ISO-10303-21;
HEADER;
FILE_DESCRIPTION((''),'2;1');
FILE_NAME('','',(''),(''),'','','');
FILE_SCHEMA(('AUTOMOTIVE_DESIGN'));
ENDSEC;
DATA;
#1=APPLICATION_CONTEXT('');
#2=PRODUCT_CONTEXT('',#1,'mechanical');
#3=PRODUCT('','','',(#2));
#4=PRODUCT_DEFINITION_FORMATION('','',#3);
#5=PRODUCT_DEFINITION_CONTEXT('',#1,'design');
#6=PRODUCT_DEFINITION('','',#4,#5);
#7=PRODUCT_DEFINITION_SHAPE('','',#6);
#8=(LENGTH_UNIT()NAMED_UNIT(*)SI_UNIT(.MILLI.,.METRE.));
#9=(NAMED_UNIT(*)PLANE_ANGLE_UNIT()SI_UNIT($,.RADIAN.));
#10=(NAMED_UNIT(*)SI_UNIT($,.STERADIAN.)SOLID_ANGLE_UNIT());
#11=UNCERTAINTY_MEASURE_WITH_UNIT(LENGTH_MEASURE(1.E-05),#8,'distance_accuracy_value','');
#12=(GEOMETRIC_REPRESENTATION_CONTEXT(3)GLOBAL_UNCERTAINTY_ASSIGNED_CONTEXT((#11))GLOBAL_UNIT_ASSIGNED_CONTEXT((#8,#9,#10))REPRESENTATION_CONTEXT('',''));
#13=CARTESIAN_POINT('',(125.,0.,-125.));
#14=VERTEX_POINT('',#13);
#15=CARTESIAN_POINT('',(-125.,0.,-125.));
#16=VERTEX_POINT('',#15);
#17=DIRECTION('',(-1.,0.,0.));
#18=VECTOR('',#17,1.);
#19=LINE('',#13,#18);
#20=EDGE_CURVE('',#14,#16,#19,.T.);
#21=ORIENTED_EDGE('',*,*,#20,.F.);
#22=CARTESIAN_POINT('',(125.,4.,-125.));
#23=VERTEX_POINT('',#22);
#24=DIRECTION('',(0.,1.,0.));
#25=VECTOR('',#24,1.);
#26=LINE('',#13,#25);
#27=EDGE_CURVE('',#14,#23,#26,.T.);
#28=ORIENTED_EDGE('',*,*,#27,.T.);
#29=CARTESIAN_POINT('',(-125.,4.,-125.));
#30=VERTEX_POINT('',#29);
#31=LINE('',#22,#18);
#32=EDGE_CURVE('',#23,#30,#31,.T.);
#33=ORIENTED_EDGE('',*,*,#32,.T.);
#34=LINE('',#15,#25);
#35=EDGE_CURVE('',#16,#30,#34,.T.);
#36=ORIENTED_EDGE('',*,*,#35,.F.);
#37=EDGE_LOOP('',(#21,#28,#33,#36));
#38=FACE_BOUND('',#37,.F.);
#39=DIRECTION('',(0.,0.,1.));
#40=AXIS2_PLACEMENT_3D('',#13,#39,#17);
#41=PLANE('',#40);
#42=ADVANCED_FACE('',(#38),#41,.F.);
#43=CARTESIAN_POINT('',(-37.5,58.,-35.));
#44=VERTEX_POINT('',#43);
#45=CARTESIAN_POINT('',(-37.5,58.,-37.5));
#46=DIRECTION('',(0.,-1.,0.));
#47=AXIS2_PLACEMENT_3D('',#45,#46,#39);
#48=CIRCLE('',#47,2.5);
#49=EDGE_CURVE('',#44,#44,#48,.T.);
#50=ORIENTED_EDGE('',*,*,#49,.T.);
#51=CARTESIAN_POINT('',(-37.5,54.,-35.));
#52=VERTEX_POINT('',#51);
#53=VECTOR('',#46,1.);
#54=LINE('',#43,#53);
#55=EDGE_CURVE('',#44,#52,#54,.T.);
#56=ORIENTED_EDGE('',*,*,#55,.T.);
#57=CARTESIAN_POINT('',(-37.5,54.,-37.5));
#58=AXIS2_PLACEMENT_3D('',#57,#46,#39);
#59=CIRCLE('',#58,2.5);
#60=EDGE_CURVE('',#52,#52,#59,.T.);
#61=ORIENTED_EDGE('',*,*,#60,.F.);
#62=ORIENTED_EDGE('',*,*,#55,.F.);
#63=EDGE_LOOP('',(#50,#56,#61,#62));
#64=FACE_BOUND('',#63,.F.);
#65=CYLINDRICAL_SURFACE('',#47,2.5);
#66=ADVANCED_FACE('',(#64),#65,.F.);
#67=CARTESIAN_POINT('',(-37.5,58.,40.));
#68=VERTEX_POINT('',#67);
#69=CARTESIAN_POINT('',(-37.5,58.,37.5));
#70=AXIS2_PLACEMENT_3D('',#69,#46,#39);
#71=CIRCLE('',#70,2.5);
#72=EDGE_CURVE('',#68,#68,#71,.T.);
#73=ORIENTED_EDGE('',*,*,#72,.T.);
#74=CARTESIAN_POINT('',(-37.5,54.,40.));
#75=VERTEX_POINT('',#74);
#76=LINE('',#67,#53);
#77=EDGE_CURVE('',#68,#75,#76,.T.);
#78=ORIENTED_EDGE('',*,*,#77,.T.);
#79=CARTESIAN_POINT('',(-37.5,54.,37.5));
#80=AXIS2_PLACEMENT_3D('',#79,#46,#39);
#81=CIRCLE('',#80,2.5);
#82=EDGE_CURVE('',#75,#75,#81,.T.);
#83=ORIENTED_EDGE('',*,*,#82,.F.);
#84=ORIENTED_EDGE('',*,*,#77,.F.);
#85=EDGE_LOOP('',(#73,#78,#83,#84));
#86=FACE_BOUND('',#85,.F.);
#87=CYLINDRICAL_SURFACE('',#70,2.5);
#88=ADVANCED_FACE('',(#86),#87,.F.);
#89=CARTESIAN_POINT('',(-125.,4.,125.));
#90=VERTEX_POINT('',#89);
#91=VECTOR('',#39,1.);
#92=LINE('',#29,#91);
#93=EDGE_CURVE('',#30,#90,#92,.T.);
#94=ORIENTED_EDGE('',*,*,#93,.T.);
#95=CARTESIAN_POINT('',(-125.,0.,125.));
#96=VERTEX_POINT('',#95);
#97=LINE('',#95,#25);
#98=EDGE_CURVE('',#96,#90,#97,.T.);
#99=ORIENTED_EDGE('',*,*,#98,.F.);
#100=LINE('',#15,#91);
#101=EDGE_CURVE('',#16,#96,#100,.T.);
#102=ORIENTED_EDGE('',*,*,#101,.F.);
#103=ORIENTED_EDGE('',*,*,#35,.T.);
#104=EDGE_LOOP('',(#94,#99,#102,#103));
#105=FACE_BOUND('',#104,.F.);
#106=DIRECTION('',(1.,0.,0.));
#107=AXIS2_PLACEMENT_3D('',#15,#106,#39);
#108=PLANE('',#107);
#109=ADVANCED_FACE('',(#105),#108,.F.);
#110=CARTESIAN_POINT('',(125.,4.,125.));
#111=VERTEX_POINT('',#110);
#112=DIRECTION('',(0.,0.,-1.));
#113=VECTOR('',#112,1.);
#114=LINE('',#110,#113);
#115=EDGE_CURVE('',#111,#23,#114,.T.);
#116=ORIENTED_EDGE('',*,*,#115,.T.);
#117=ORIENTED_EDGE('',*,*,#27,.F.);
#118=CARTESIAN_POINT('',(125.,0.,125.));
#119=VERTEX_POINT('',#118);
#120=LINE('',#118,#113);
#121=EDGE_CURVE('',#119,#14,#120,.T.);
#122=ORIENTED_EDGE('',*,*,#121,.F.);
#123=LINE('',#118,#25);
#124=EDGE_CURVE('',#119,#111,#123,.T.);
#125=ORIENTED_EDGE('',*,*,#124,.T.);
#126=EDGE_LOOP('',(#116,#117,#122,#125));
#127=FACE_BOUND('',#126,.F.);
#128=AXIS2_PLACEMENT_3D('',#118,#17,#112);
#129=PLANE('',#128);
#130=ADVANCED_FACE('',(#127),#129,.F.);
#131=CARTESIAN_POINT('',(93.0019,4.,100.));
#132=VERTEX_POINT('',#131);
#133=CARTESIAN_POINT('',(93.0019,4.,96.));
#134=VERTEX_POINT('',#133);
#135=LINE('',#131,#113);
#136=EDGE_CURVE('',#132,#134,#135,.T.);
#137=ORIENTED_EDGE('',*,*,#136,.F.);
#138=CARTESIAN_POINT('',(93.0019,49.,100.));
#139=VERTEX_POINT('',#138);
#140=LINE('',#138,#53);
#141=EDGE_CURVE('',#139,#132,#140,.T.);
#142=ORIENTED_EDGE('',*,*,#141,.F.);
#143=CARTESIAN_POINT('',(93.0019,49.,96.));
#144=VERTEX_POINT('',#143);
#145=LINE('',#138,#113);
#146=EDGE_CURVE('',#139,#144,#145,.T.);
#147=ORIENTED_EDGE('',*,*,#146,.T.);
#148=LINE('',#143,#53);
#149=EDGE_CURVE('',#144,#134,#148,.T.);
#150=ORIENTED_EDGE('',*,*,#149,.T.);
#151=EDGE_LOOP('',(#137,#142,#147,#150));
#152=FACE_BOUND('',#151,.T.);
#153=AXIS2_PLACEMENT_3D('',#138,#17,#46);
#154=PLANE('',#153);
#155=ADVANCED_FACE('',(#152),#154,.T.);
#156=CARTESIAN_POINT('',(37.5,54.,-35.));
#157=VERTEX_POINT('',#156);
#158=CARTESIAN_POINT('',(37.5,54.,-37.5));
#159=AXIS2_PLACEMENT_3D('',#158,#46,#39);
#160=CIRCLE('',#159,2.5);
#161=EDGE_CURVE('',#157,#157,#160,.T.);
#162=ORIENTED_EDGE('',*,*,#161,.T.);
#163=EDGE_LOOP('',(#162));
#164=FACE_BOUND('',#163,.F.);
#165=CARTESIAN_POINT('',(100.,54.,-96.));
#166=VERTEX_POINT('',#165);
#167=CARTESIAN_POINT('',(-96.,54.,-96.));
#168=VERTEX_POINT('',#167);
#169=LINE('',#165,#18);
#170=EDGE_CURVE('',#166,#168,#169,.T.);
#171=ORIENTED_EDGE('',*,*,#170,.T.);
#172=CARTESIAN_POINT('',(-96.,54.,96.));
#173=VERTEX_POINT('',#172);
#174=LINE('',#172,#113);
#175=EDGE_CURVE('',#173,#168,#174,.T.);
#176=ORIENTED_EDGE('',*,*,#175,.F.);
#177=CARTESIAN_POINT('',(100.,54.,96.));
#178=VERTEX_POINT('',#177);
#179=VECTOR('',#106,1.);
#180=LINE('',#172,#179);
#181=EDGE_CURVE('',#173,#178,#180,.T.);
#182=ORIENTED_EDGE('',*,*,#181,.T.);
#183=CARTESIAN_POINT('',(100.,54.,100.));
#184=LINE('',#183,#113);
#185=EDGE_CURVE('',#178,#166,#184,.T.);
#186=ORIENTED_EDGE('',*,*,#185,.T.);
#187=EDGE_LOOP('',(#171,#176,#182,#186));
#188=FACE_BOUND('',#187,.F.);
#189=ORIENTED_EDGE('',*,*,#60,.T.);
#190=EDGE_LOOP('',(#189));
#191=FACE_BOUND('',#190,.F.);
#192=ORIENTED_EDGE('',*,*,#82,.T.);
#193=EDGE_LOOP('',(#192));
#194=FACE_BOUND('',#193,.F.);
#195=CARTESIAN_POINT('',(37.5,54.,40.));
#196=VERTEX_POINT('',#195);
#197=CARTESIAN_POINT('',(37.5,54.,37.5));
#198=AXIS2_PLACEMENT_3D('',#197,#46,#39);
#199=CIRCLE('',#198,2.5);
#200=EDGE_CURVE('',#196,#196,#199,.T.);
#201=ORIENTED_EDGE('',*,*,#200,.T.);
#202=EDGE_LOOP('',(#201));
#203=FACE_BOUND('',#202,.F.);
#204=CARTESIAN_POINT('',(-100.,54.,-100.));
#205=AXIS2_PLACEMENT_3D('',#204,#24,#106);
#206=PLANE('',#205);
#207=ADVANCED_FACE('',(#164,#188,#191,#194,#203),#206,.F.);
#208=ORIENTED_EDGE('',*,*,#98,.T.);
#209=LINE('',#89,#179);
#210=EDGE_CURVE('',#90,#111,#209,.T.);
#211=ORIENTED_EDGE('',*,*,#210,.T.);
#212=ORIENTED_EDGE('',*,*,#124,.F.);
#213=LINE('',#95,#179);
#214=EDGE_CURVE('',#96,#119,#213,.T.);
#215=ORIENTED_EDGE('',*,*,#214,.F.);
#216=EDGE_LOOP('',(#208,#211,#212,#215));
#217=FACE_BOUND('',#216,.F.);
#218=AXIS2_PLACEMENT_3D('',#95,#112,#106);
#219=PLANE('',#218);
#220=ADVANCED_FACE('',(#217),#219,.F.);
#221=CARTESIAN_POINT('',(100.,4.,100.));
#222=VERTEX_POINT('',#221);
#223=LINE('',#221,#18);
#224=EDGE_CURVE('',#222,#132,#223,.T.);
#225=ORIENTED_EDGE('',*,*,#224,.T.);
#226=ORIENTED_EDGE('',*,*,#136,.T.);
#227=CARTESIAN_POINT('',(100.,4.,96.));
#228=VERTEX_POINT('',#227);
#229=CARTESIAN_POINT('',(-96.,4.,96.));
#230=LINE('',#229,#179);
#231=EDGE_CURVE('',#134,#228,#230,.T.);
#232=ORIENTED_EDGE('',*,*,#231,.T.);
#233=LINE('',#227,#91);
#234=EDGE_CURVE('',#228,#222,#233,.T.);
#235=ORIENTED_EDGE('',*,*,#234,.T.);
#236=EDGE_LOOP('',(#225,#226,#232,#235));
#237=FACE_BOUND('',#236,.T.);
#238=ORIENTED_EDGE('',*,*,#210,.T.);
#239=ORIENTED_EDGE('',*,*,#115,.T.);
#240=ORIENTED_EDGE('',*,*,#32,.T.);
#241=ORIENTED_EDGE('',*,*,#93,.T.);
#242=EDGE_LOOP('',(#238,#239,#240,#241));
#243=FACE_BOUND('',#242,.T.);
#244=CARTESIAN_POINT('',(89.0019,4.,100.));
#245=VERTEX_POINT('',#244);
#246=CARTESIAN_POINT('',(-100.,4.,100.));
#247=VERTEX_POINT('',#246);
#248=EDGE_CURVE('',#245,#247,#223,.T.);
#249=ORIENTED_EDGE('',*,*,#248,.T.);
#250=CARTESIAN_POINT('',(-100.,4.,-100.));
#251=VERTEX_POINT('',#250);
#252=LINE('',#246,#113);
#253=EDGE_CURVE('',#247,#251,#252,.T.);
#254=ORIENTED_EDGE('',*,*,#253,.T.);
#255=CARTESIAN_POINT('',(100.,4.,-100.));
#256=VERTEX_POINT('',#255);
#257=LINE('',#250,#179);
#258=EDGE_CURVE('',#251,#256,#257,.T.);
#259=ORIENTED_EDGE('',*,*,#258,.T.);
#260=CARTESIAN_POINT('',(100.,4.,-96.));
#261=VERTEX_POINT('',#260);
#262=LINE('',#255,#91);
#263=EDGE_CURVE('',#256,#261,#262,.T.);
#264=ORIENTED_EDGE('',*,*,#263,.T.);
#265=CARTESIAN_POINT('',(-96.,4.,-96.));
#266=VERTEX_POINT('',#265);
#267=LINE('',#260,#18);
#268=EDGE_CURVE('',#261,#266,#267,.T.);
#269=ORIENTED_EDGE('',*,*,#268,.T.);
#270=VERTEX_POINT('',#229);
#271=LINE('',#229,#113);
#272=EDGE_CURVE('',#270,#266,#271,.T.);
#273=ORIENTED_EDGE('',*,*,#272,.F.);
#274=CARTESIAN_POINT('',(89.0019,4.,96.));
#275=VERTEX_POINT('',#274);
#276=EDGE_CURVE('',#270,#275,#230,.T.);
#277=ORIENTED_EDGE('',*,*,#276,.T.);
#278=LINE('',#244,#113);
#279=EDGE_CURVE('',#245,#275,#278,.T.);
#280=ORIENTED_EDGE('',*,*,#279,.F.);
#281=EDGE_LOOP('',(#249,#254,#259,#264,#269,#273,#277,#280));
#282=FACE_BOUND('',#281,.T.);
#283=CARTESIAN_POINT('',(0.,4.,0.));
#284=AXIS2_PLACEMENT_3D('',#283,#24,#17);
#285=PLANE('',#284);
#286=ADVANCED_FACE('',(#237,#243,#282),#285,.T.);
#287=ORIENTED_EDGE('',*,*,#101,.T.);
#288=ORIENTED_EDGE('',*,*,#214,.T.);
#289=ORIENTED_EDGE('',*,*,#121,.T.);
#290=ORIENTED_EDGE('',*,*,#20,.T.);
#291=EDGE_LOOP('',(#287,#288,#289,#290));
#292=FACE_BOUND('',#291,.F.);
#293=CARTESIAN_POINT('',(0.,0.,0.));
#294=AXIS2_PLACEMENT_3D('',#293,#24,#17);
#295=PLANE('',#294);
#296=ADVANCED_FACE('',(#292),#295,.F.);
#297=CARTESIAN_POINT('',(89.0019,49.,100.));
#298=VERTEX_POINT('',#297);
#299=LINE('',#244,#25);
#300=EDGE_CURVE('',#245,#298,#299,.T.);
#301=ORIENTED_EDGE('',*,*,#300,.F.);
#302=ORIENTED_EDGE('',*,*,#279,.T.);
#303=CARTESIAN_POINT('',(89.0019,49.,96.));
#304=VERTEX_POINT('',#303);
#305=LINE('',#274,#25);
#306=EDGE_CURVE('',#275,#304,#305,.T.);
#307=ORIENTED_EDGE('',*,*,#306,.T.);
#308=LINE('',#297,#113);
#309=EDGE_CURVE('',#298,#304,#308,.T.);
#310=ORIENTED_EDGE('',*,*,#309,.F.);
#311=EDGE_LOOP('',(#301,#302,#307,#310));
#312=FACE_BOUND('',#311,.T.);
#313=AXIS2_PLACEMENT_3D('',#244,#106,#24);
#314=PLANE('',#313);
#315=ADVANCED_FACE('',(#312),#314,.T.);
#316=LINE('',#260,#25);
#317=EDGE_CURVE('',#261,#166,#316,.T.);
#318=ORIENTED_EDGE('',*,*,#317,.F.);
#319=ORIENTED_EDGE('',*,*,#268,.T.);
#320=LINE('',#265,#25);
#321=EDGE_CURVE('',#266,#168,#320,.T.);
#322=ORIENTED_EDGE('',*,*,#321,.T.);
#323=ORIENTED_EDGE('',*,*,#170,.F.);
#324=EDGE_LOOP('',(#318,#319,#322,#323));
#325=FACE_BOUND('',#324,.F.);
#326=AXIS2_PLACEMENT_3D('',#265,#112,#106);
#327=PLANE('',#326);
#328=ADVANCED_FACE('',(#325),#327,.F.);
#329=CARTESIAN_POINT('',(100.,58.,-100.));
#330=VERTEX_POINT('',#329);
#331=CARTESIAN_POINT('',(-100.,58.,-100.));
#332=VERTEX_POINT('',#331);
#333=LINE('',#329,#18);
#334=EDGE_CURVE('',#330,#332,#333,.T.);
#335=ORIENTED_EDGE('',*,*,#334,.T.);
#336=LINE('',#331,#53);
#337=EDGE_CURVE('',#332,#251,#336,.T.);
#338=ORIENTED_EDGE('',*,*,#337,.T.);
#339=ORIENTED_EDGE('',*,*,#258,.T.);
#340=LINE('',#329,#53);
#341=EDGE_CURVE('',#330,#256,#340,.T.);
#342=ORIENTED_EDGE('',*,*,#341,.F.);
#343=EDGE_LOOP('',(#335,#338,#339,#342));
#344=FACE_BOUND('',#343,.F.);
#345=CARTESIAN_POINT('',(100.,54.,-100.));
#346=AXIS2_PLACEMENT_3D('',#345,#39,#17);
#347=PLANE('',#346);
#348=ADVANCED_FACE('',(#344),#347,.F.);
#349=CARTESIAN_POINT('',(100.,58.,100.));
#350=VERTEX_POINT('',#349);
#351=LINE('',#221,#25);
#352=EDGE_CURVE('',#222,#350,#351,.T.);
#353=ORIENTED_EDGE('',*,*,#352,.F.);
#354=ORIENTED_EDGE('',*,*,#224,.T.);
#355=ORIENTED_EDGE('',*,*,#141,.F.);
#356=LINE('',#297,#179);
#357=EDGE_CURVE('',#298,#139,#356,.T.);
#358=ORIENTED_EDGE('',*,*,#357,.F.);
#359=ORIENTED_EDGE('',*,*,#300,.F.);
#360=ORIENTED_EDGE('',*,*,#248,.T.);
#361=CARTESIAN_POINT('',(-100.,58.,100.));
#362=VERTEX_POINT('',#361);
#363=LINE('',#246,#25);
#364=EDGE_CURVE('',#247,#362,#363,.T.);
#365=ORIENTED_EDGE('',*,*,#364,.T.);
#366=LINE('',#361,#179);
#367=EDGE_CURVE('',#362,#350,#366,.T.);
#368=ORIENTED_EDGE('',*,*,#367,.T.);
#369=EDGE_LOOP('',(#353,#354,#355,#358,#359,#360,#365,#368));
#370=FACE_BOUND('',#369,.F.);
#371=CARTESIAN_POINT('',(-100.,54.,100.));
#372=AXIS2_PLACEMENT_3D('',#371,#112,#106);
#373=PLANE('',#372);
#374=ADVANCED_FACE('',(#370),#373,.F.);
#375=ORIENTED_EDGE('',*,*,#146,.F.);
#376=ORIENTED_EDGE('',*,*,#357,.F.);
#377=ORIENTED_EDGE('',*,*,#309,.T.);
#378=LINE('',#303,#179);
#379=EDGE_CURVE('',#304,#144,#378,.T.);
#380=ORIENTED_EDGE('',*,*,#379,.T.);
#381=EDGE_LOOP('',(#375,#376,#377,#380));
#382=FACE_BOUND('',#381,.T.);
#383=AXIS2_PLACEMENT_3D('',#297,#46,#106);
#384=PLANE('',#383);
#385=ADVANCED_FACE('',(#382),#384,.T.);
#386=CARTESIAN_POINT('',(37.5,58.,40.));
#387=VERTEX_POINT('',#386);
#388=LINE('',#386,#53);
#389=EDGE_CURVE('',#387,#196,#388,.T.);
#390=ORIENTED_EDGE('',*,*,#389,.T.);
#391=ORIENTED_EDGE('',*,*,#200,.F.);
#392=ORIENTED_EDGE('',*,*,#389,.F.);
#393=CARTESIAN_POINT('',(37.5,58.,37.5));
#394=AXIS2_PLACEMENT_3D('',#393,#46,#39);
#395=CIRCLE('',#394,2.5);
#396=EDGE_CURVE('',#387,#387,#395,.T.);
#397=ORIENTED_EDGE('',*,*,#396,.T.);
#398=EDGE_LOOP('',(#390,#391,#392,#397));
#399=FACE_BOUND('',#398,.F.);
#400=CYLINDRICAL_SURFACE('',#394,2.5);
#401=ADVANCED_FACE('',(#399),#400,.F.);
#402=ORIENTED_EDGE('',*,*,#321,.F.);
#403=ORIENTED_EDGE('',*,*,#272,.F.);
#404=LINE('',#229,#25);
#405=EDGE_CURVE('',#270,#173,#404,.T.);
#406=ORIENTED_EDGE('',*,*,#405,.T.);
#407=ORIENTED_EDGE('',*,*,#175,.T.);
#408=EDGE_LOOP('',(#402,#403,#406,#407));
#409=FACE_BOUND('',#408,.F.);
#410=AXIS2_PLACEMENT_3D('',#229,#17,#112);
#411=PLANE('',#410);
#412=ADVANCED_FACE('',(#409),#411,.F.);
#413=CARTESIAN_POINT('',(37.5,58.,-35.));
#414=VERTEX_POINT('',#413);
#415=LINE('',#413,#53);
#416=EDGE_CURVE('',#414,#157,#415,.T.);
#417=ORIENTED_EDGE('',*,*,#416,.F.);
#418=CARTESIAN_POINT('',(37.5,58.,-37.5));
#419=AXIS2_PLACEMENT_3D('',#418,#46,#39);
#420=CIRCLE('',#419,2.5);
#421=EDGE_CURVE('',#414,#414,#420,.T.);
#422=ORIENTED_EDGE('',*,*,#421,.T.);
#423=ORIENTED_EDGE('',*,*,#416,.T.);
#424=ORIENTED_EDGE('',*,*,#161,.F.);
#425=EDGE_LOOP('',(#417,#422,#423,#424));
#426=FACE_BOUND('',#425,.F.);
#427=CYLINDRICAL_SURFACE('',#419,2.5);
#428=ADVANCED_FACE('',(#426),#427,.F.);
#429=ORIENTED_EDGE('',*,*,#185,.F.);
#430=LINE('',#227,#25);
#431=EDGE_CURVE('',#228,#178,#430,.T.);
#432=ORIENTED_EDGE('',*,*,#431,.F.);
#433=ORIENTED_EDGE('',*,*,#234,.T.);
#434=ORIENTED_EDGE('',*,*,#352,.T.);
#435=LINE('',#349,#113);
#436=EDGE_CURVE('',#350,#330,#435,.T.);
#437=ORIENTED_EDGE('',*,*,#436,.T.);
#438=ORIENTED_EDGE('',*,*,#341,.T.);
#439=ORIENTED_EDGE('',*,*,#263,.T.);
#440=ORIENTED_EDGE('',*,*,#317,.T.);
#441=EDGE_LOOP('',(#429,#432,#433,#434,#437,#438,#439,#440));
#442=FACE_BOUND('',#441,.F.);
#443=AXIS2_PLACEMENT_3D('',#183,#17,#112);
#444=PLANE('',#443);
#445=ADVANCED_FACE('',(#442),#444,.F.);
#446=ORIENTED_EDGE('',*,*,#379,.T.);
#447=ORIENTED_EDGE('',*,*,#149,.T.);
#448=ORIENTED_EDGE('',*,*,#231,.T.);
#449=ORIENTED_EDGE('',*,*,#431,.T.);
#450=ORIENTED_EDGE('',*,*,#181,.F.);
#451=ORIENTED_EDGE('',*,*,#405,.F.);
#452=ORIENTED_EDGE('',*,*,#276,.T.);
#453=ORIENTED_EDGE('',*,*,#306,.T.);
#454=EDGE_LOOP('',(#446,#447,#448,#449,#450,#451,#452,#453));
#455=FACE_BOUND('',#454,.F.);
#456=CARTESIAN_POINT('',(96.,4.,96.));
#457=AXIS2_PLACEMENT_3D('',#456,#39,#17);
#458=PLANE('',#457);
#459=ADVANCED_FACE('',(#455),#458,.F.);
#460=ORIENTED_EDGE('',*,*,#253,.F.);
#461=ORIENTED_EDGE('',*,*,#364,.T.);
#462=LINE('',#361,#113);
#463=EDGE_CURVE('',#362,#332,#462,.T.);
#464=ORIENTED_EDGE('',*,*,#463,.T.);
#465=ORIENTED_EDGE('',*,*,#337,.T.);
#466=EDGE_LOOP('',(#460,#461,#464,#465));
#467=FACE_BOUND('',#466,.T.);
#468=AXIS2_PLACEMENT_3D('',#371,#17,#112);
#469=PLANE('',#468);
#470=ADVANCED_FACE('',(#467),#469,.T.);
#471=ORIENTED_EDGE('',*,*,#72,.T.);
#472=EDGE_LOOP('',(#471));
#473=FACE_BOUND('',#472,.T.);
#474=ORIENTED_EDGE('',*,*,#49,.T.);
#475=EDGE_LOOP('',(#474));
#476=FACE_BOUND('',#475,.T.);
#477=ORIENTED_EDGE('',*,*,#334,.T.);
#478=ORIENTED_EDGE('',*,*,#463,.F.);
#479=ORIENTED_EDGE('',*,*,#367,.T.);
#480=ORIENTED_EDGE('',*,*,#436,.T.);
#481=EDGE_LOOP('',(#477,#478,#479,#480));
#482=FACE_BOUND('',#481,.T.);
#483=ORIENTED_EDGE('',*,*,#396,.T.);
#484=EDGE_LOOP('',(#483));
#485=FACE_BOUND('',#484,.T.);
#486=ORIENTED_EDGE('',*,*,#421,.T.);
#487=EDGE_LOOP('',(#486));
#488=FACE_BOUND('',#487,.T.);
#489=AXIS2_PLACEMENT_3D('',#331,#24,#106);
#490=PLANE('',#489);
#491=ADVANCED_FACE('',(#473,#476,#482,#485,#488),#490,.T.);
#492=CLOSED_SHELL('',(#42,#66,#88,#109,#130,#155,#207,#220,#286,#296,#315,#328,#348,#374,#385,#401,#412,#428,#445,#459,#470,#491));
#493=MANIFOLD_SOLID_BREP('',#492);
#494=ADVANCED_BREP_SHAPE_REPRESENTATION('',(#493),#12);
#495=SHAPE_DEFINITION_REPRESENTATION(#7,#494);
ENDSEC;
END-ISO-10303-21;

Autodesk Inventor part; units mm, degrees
ref_plane "YZ Plane" through (0, 0, 0) normal (1, 0, 0) x (0, 1, 0)
ref_plane "XZ Plane" through (0, 0, 0) normal (0, 1, 0) x (-1, 0, 0)
ref_plane "XY Plane" through (0, 0, 0) normal (0, 0, 1) x (1, 0, 0)
sketch "Sketch1" plane through (0, 0, 0) normal (0, 1, 0) x (-1, 0, 0)
  line L0 (-125, -125) -> (125, -125)
  line L1 (125, -125) -> (125, 125)
  line L2 (125, 125) -> (-125, 125)
  line L3 (-125, 125) -> (-125, -125)
  line L4 (-125, -125) -> (125, 125) construction
  line L5 (125, -125) -> (-125, 125) construction
  point P0 (0, 0)
  dimension "Width" = 250
  dimension "Length" = 250
extrude "Main Body Extrusion" add sketch "Sketch1" along normal blind 4
sketch "Sketch3" plane through (0, 4, 0) normal (0, 1, 0) x (1, 0, 0)
  line L0 (96, -96) -> (-96, -96)
  line L1 (-96, -96) -> (-96, 96)
  line L2 (-96, 96) -> (96, 96)
  line L3 (96, -96) -> (-96, 96) construction
  line L4 (-96, -96) -> (96, 96) construction
  line L5 (-125, 125) -> (-125, -125) projected
  line L6 (125, -125) -> (125, 125) projected
  line L7 (-125, -125) -> (125, -125) projected
  line L8 (100, -100) -> (-100, -100)
  line L9 (-100, -100) -> (-100, 100)
  line L10 (-100, 100) -> (100, 100)
  line L11 (100, -100) -> (-100, 100) construction
  line L12 (-100, -100) -> (100, 100) construction
  line L13 (96, 96) -> (100, 96)
  line L14 (96, -96) -> (100, -96)
  line L15 (100, 100) -> (100, 96)
  line L16 (100, -96) -> (100, -100)
  point P0 (0, 0)
  dimension "d16" = 192
  dimension "d17" = 200
  dimension "d18" = 200
extrude "Extrusion3" add sketch "Sketch3" along normal blind 50 from surface at 0
sketch "Sketch8" plane through (0, 4, 0) normal (0, 1, 0) x (1, 0, 0)
  line L0 (100, 100) -> (100, 96) projected
  line L1 (-96, 96) -> (-96, -96) projected
  line L2 (100, 96) -> (-96, 96) projected
  line L3 (-125, -125) -> (125, -125) projected
  line L4 (89, 96) -> (93, 96)
  line L5 (93, 96) -> (93, -125)
  line L6 (93, -125) -> (89, -125)
  line L7 (89, -125) -> (89, 96)
  line L8 (89, -96) -> (85, -96)
  line L9 (85, -96) -> (85, 96)
  line L10 (85, 96) -> (89, 96)
  line L11 (89, 96) -> (89, -96)
  line L12 (93, 96) -> (97, 96)
  line L13 (97, 96) -> (97, -96)
  line L14 (97, -96) -> (93, -96)
  line L15 (93, -96) -> (93, 96)
  point P0 (0, 0)
  point P1 (89, -125)
  dimension "d39" = 4
  dimension "d40" = 185
  dimension "d47" = 4
  dimension "d48" = 4
extrude "Extrusion8" cut sketch "Sketch8" along normal blind 2 contours L13 L14 L5 L2 | L7 L8 L9 L2
sketch "Sketch9" plane through (-100, 54, 100) normal (0, 0, 1) x (1, 0, 0)
  line L0 (0, -50) -> (200, -50) projected
  line L1 (193.0019, -50) -> (189.0019, -50)
  line L2 (189.0019, -50) -> (189.0019, -5)
  line L3 (189.0019, -5) -> (193.0019, -5)
  line L4 (193.0019, -5) -> (193.0019, -50)
  point P0 (100, -54)
  dimension "d41" = 4
  dimension "d42" = 45
extrude "Extrusion9" cut sketch "Sketch9" against normal up to surface (4 mm away)
sketch "Sketch10" plane through (-100, 54, -100) normal (0, 1, 0) x (1, 0, 0)
  line L0 (0, -200) -> (0, 0) projected
  line L1 (200, 0) -> (200, -4) projected
  line L2 (0, -200) -> (200, -200)
  line L3 (200, -200) -> (200, 0)
  line L4 (200, 0) -> (0, 0)
  line L5 (0, 0) -> (0, -200)
  point P0 (100, -100)
extrude "Extrusion10" add sketch "Sketch10" along normal blind 4
sketch "Sketch11" plane through (-100, 58, -100) normal (0, 1, 0) x (1, 0, 0)
  line L0 (50, -150) -> (150, -150)
  line L1 (150, -150) -> (150, -50)
  line L2 (150, -50) -> (50, -50)
  line L3 (50, -50) -> (50, -150)
  line L4 (50, -150) -> (150, -50) construction
  line L5 (150, -150) -> (50, -50) construction
  point P0 (100, -100)
  point P1 (62.5, -62.5)
  point P2 (62.5, -137.5)
  point P3 (137.5, -137.5)
  point P4 (137.5, -62.5)
  dimension "d56" = 100
  dimension "d57" = 100
  dimension "d58" = 12.5
  dimension "d59" = 12.5
  dimension "d62" = 360
hole "Hole1" at (-37.5, 58, -37.5) at (37.5, 58, -37.5) at (37.5, 58, 37.5) at (-37.5, 58, 37.5) direction (0, -1, 0) diameter 5 depth 4
properties part number "Acrylic Casing" material "Acetal Resin, White"
